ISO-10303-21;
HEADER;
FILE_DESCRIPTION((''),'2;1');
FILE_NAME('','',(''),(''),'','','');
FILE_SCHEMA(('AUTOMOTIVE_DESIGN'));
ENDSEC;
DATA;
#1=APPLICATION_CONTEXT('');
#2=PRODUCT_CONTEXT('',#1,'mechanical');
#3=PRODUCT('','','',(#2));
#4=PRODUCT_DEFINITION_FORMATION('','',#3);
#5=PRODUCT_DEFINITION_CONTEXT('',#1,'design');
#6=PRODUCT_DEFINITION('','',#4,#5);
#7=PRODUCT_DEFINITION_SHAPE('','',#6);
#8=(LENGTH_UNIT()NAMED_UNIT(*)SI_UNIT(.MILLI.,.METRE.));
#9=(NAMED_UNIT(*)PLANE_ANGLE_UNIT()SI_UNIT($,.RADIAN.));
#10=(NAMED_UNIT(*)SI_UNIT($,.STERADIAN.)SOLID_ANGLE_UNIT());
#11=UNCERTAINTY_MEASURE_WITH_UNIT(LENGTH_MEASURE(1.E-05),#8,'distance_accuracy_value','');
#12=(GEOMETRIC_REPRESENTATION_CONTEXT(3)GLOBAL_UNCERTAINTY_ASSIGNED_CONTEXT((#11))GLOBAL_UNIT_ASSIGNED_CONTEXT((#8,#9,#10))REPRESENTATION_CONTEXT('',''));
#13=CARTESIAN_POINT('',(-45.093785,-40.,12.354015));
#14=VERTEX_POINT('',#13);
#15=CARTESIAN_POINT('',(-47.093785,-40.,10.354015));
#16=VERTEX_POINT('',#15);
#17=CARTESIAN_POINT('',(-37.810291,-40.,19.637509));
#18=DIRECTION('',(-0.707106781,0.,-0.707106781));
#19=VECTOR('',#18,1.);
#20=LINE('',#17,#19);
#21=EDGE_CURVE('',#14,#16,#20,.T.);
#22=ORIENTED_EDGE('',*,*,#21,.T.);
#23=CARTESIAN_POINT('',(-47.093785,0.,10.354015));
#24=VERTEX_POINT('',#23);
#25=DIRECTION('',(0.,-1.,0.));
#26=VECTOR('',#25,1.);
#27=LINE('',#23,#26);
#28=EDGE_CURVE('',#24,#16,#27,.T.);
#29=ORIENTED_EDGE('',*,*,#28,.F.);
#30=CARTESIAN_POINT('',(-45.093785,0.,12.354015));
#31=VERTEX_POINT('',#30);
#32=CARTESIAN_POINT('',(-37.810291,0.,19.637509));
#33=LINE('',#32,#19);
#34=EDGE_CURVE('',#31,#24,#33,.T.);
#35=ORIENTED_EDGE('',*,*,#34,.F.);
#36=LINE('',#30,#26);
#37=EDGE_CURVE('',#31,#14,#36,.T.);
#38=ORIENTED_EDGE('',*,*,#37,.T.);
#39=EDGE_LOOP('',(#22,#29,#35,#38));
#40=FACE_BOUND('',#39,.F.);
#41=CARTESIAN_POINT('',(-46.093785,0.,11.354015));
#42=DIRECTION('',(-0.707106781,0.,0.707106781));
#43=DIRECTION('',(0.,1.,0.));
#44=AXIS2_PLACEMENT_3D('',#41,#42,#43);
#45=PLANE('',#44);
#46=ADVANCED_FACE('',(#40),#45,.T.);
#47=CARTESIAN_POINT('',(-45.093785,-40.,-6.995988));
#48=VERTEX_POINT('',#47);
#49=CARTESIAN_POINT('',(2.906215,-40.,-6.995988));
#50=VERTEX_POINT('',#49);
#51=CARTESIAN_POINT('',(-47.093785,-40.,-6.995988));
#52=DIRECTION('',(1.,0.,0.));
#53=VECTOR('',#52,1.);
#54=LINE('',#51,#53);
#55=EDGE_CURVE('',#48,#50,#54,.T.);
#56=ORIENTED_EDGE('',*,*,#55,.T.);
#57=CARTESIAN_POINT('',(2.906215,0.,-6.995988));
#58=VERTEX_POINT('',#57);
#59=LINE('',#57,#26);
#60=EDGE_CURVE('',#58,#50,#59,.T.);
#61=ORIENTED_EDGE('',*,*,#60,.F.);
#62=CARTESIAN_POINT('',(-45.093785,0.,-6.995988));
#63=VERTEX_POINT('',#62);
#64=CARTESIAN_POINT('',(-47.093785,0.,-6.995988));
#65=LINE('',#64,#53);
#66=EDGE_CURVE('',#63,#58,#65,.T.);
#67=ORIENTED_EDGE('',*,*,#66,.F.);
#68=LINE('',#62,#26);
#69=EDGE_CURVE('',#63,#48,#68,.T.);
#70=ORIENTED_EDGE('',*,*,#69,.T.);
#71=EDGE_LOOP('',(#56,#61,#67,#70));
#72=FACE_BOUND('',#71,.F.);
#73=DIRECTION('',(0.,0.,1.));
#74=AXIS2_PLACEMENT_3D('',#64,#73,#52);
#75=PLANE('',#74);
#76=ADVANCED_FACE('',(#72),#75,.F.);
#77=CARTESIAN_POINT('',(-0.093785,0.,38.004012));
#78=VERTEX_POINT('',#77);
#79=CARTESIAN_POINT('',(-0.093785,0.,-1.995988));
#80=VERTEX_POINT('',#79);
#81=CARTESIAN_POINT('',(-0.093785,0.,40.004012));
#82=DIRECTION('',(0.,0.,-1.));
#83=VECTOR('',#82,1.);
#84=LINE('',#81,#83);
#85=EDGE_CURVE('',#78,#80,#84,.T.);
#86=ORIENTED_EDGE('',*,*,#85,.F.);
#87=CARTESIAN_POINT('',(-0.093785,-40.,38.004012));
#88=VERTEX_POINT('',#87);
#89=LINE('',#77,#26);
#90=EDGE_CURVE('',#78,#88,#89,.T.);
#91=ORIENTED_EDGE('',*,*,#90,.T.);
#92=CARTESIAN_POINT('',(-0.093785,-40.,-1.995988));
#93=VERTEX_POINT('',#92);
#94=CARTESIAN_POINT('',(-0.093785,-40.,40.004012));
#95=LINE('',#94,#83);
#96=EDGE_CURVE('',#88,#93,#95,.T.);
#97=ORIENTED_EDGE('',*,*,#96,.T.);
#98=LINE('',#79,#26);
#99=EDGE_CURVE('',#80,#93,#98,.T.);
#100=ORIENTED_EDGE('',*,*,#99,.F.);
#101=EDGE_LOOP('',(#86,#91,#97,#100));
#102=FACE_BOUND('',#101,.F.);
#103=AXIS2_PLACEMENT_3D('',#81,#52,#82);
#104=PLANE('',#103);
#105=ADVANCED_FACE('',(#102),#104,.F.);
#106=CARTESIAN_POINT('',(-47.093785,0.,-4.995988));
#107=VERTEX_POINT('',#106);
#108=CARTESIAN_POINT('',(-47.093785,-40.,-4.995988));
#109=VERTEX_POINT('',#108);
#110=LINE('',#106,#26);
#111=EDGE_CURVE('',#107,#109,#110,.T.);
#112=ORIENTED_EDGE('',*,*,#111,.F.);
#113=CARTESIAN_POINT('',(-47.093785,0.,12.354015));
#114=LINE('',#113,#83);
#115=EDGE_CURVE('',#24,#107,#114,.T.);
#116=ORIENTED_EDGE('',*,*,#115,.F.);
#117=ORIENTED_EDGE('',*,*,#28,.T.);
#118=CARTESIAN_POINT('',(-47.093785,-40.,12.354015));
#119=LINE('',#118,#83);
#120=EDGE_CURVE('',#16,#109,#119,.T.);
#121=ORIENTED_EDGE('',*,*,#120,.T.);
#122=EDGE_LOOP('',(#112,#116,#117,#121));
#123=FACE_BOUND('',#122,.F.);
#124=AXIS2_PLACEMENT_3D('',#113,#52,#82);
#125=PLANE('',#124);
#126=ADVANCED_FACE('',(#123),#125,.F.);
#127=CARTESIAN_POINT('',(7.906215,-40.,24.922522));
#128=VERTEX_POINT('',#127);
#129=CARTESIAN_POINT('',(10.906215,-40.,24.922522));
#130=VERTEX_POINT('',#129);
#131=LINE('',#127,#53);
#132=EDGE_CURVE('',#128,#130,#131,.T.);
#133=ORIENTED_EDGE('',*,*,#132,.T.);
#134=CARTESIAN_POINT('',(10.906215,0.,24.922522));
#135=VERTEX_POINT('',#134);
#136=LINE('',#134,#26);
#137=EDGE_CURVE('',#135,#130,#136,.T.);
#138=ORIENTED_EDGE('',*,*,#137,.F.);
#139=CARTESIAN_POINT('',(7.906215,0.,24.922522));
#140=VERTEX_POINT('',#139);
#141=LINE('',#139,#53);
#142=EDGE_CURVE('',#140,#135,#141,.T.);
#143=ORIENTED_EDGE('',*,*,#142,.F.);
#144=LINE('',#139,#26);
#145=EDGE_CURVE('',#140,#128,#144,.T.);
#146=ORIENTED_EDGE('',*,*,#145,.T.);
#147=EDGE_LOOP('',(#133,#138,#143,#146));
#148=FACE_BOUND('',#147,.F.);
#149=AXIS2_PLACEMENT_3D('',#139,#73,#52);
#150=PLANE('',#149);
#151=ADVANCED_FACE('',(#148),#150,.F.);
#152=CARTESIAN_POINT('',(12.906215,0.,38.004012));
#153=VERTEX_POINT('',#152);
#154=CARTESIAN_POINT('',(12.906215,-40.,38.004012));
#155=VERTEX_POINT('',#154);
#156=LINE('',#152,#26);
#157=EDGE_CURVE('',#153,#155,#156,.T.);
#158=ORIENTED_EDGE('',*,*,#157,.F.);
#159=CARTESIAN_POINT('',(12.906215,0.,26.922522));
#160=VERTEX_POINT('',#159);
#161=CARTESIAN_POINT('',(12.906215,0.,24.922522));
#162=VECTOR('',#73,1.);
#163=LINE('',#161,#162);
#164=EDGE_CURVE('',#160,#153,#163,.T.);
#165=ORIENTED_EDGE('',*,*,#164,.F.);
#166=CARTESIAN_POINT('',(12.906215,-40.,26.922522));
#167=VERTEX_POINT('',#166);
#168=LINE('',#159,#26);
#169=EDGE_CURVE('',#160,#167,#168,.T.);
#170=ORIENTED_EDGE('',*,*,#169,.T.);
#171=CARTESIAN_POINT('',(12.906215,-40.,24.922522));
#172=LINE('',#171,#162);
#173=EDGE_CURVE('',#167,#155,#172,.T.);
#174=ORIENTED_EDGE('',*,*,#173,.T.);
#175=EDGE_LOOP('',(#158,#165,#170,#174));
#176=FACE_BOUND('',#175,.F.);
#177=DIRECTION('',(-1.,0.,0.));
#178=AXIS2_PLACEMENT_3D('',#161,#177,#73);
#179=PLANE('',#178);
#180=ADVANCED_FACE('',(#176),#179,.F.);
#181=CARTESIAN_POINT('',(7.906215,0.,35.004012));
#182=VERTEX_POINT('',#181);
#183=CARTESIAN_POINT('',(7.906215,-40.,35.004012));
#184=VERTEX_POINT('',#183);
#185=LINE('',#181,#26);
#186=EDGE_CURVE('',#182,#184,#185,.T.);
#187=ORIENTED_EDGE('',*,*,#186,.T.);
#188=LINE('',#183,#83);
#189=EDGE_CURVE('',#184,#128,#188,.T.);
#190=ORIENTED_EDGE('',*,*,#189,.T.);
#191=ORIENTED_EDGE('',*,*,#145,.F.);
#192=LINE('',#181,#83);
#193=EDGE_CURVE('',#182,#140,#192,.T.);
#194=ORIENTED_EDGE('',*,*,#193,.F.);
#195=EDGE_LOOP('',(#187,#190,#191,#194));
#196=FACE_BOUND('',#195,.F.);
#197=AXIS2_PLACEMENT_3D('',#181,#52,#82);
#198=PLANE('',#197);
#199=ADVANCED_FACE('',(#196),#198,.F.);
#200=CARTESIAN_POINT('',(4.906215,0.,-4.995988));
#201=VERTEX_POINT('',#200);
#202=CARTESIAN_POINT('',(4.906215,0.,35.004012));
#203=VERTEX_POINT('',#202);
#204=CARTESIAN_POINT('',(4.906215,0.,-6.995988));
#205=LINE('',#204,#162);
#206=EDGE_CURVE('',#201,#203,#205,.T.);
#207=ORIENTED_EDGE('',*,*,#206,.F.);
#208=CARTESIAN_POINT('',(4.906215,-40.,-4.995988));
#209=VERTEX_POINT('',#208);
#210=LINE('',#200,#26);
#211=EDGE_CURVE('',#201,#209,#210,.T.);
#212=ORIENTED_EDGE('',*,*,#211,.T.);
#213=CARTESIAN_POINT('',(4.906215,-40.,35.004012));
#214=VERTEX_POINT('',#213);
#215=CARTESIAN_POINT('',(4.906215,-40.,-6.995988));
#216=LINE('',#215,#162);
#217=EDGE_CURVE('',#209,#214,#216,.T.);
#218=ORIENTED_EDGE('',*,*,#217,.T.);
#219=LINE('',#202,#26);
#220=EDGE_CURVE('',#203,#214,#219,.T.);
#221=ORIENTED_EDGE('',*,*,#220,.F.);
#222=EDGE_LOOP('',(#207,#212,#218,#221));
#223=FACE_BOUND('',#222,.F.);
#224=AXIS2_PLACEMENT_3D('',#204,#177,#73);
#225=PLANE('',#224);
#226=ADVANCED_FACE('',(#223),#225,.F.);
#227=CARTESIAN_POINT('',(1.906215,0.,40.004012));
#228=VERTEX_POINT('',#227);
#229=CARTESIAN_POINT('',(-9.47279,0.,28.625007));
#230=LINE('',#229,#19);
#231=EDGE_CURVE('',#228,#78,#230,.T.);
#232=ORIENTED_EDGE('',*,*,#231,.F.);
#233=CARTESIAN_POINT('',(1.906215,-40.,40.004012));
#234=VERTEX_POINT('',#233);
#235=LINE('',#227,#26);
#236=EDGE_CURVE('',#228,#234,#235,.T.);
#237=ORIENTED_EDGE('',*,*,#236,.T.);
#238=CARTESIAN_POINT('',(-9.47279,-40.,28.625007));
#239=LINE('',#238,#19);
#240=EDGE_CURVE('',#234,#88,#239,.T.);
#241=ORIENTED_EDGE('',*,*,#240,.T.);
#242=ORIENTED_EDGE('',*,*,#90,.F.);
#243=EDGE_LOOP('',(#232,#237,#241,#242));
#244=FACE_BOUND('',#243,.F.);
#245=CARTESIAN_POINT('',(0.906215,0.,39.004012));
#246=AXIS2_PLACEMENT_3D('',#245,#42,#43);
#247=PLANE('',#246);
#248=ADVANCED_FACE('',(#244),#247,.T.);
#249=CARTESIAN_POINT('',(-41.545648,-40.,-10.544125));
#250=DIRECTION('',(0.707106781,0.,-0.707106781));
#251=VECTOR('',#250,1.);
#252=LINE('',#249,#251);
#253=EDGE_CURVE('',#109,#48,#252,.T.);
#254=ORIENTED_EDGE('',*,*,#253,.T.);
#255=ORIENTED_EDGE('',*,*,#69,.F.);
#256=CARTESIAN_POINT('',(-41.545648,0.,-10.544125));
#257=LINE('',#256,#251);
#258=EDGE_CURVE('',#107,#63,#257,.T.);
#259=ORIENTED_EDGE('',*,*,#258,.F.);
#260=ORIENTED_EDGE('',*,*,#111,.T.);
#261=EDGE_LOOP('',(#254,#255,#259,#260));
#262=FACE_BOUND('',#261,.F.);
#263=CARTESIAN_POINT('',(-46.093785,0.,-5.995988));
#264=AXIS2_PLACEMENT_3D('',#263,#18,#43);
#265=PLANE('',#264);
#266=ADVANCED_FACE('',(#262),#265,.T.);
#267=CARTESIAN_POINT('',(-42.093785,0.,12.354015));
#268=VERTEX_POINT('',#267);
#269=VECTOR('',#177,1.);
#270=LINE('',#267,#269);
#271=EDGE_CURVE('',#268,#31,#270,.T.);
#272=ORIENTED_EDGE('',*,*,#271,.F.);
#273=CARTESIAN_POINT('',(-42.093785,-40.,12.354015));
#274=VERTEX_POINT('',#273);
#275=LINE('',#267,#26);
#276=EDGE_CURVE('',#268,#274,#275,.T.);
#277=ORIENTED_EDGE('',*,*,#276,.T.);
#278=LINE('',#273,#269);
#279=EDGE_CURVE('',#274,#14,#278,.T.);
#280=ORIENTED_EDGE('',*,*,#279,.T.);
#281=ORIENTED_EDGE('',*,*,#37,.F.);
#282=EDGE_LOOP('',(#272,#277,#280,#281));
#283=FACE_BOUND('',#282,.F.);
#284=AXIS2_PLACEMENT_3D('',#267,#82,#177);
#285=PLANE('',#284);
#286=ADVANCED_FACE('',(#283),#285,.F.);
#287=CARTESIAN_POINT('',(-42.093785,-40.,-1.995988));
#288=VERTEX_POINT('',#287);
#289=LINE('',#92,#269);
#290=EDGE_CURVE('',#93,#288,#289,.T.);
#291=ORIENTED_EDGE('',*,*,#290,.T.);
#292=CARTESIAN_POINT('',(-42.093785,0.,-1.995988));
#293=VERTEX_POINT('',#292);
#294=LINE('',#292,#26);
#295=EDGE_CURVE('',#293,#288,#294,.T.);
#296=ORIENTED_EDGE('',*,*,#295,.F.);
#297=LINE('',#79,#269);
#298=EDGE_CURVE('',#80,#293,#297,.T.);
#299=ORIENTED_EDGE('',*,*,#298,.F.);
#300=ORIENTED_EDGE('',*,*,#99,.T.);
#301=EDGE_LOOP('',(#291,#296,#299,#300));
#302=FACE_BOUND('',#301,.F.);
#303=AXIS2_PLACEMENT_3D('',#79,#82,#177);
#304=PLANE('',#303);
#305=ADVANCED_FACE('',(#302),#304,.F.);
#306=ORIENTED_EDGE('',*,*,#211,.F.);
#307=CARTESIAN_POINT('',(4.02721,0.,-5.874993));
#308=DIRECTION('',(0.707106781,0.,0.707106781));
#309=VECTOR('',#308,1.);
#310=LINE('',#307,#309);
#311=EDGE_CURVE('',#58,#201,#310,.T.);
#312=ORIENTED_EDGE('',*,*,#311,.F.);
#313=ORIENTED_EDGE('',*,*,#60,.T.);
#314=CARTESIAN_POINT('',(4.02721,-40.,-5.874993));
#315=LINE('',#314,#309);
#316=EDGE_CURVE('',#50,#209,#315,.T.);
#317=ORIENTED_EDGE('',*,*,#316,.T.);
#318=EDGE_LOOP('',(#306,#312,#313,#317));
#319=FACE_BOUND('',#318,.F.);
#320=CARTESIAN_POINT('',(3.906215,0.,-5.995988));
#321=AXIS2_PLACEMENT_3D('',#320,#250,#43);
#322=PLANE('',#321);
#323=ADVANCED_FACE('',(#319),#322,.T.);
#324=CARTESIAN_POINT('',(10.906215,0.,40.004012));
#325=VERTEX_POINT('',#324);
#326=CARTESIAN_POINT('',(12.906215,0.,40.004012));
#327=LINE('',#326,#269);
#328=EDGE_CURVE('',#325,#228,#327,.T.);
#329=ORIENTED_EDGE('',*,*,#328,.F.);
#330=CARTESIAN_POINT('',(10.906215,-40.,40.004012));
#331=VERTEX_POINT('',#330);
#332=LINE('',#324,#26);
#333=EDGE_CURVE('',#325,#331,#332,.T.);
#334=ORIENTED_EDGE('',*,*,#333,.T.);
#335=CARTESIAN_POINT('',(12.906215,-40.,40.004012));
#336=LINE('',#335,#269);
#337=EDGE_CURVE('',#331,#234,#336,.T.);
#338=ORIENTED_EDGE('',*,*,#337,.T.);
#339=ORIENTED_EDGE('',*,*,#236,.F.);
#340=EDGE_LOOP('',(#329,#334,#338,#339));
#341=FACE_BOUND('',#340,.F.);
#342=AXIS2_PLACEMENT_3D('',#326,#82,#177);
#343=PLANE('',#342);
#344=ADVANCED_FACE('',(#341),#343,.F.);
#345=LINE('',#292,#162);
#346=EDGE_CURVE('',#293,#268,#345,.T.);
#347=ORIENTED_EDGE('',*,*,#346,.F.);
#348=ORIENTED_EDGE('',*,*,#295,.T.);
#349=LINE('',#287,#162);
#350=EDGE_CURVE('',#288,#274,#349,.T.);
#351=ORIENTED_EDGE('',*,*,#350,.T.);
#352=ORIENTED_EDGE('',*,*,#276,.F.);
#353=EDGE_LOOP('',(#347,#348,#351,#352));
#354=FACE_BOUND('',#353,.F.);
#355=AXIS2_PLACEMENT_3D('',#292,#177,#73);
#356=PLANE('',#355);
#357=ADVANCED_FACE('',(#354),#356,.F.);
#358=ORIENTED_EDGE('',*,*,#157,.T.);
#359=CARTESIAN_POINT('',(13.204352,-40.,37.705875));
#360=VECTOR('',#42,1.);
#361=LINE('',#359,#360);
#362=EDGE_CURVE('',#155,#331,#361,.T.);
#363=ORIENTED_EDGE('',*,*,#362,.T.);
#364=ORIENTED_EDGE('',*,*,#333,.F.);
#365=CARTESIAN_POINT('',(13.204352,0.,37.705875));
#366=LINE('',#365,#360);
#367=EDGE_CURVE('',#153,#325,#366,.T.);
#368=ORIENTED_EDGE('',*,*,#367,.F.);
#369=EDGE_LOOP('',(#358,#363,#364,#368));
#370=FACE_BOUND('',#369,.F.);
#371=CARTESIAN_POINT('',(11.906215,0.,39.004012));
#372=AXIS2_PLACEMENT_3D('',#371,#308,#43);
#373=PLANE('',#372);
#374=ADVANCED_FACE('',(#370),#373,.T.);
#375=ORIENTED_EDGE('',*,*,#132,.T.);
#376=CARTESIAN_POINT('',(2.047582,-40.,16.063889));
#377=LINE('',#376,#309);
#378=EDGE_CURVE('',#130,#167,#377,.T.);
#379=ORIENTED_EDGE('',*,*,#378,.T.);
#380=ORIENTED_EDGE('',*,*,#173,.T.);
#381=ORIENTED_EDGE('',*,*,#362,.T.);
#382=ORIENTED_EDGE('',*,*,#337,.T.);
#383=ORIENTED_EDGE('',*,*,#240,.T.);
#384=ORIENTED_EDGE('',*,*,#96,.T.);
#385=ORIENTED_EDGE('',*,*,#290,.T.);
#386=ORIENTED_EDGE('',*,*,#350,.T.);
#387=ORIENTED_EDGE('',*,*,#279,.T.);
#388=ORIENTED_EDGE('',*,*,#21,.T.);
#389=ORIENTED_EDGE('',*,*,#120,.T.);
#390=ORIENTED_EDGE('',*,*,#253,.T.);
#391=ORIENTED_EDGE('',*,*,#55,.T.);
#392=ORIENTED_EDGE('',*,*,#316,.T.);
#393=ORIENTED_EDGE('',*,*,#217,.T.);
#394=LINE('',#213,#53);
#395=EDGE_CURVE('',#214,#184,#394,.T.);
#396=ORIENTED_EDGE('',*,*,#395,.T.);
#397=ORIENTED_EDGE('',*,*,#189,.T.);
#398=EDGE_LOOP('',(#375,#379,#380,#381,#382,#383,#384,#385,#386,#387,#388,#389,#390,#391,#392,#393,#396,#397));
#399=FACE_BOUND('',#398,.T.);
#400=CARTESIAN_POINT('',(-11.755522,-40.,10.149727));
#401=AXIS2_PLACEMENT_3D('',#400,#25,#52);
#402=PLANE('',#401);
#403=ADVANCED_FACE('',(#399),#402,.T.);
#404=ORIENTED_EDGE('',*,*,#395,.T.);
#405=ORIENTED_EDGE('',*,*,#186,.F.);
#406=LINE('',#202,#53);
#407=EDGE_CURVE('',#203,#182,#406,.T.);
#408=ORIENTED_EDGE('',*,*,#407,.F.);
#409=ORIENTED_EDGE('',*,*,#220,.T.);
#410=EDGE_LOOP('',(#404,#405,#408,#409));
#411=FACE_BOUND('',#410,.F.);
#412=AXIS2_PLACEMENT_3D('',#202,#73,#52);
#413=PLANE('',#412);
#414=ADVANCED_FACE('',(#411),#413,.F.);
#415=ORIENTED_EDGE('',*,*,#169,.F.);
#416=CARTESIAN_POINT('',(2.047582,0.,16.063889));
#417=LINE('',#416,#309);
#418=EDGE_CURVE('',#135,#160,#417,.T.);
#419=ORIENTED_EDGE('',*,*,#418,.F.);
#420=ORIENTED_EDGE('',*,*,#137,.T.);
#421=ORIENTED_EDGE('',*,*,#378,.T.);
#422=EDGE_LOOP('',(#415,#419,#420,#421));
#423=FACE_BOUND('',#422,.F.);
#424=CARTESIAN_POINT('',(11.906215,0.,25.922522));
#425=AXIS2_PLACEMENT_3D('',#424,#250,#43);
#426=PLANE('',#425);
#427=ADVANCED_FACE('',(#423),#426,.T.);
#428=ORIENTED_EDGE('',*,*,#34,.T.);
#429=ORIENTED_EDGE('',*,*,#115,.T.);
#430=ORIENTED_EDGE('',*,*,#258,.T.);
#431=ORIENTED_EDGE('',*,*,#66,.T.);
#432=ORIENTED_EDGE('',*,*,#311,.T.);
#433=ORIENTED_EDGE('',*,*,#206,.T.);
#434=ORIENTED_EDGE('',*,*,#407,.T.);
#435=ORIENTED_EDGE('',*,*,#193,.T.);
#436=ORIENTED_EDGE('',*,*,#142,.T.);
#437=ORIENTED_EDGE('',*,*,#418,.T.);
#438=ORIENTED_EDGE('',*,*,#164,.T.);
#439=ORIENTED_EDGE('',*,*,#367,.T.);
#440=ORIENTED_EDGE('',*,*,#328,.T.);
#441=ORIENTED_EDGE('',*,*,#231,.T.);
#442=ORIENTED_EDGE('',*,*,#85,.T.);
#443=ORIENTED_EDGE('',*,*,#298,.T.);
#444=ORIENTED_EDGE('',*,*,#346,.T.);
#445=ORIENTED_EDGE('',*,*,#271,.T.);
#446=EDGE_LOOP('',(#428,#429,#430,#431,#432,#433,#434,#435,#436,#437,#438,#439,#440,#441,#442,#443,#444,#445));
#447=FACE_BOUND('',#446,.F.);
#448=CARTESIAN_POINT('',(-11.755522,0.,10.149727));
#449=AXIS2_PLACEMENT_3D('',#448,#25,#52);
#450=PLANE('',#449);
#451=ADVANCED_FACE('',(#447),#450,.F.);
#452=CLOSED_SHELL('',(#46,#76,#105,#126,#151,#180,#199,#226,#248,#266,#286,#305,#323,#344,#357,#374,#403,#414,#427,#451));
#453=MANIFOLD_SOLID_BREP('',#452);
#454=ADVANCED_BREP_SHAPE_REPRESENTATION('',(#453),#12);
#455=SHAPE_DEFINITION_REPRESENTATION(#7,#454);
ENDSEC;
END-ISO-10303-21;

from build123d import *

# Parameters (mm, degrees)
F1_DEPTH = 40
F2_SIZE  = 2


with BuildPart() as f1:
    # F0 (on Front) → F1 (new body)
    with BuildSketch(Plane.XZ):
        Polygon((7.906215, 35.004012), (7.906215, 24.922522), (12.906215, 24.922522), (12.906215, 40.004012), (-0.093785, 40.004012), (-0.093785, -1.995988), (-42.093785, -1.995988), (-42.093785, 12.354015), (-47.093785, 12.354015), (-47.093785, -6.995988), (4.906215, -6.995988), (4.906215, 35.004012), align=None)
    extrude(amount=F1_DEPTH)

    # F2
    f2_edges = [f1.edges().sort_by_distance(p)[0] for p in [
        (-0.093785, -20, 40.004012),
        (12.906215, -20, 40.004012),
        (-47.093785, -20, 12.354015),
        (-47.093785, -20, -6.995988),
        (4.906215, -20, -6.995988),
        (12.906215, -20, 24.922522),
    ]]
    chamfer(f2_edges, length=F2_SIZE)


solid = f1.part
